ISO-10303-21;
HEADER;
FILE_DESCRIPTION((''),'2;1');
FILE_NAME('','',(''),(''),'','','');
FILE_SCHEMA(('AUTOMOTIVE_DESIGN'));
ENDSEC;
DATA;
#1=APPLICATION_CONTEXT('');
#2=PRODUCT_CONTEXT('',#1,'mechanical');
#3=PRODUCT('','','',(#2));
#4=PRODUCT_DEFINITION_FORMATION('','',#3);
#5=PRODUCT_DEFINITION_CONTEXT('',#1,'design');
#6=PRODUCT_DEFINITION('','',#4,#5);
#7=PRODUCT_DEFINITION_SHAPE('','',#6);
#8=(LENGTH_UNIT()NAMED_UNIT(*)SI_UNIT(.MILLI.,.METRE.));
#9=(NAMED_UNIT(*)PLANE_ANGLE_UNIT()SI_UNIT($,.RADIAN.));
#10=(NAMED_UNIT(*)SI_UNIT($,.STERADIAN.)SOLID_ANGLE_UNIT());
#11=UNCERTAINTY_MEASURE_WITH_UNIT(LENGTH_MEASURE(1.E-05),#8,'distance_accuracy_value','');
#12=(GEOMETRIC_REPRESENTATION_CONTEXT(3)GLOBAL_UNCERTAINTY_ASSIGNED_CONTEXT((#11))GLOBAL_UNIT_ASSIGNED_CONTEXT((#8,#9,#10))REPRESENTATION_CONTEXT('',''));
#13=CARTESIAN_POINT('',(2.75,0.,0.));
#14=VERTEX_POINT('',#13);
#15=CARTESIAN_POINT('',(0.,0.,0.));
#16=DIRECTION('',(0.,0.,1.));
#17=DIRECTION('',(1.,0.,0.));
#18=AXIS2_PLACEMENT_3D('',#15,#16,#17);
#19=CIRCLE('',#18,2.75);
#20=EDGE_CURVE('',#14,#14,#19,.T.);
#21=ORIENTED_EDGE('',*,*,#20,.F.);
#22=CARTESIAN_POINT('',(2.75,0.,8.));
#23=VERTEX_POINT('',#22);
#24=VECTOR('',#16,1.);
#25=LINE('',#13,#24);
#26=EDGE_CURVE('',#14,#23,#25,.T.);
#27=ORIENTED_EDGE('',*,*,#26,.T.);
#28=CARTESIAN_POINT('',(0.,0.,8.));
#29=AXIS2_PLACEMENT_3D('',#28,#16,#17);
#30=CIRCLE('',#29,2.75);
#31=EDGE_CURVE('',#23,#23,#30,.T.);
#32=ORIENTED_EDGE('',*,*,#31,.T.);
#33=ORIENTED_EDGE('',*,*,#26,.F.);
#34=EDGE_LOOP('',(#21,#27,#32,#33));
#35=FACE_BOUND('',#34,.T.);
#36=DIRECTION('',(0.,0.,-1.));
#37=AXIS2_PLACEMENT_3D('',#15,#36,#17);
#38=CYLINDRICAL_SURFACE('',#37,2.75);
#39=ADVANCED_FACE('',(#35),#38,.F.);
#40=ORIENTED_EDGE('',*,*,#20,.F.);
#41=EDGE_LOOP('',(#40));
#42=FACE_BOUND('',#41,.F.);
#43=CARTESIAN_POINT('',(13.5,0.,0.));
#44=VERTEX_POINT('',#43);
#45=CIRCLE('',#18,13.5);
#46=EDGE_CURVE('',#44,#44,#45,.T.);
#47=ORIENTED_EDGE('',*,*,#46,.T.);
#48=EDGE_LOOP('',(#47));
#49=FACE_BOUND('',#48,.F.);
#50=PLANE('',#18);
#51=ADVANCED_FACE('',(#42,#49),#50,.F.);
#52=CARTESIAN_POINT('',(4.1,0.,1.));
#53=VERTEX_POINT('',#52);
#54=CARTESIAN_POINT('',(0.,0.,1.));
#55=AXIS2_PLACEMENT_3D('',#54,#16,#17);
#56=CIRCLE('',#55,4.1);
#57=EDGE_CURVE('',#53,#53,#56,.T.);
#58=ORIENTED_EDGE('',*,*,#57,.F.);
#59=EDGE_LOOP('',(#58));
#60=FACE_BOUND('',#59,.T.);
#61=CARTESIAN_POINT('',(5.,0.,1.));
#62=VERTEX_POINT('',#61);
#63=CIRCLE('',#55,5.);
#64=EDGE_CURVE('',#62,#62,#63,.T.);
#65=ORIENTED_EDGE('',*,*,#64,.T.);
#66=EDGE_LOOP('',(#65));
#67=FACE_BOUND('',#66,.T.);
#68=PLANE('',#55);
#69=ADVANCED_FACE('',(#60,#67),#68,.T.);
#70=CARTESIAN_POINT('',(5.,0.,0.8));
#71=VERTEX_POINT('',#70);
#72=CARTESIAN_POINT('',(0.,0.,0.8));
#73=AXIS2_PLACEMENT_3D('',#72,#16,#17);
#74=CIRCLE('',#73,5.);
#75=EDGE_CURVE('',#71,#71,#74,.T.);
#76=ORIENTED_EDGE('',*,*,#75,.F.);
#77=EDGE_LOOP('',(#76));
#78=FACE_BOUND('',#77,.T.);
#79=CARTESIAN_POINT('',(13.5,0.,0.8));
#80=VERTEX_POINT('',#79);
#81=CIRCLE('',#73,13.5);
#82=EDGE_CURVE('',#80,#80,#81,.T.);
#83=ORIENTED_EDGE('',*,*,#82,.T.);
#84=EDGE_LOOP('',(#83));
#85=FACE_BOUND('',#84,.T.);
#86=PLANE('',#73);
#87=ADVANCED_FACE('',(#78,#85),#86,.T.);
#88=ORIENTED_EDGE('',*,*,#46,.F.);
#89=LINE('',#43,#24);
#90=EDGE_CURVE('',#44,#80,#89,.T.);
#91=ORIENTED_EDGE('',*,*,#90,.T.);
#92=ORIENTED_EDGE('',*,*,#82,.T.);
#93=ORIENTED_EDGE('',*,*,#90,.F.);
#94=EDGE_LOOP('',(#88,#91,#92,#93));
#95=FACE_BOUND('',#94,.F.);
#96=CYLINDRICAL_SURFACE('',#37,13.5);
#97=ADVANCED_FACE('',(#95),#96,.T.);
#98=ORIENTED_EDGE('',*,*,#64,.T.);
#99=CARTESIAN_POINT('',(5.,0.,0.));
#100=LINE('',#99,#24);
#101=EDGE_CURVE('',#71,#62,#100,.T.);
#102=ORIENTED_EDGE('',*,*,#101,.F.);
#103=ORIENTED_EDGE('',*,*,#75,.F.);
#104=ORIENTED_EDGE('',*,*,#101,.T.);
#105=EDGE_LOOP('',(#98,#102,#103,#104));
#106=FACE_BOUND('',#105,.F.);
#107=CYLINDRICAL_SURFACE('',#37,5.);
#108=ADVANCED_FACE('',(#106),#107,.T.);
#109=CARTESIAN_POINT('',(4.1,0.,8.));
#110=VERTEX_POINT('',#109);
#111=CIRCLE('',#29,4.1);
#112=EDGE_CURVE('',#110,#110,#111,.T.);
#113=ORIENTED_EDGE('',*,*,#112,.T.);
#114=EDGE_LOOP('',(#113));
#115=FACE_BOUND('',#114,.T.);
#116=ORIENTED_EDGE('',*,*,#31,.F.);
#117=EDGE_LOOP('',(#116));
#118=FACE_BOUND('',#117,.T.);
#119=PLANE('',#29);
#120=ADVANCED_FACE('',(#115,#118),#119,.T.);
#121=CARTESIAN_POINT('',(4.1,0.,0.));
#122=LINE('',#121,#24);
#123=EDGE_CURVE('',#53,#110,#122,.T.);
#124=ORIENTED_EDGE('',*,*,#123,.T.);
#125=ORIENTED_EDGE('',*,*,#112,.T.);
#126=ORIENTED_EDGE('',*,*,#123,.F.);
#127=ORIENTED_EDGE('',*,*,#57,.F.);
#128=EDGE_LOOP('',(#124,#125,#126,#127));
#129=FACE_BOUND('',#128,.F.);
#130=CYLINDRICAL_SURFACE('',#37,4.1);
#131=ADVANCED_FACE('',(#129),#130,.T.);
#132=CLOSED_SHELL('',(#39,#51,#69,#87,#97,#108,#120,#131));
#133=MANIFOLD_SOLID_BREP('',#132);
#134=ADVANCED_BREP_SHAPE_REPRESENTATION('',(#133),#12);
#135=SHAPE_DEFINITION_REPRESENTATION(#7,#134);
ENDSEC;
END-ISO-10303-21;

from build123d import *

# Parameters (mm, degrees)
F0_R     = 13.5
F0_R_2   = 5
F1_DEPTH = 0.8
F0_R_3   = 4.1
F0_R_4   = 2.75
F2_DEPTH = 8
F3_DEPTH = 1


with BuildPart() as f1:
    # F0 (on Top) → F1 (new body)
    with BuildSketch(Plane.XY):
        Circle(F0_R)
        Circle(F0_R_2, mode=Mode.SUBTRACT)
    extrude(amount=F1_DEPTH)



with BuildPart() as f2:
    # F0 (on Top) → F2 (new body)
    with BuildSketch(Plane.XY):
        Circle(F0_R_3)
        Circle(F0_R_4, mode=Mode.SUBTRACT)
    extrude(amount=F2_DEPTH)


with BuildPart() as f1_1:
    add(f1.part)

    add(f2.part)  # F3 merges F2
    # F0 (on Top) → F3 (join)
    with BuildSketch(Plane.XY):
        Circle(F0_R_2)
        Circle(F0_R_3, mode=Mode.SUBTRACT)
    extrude(amount=F3_DEPTH)


solid = f1_1.part
